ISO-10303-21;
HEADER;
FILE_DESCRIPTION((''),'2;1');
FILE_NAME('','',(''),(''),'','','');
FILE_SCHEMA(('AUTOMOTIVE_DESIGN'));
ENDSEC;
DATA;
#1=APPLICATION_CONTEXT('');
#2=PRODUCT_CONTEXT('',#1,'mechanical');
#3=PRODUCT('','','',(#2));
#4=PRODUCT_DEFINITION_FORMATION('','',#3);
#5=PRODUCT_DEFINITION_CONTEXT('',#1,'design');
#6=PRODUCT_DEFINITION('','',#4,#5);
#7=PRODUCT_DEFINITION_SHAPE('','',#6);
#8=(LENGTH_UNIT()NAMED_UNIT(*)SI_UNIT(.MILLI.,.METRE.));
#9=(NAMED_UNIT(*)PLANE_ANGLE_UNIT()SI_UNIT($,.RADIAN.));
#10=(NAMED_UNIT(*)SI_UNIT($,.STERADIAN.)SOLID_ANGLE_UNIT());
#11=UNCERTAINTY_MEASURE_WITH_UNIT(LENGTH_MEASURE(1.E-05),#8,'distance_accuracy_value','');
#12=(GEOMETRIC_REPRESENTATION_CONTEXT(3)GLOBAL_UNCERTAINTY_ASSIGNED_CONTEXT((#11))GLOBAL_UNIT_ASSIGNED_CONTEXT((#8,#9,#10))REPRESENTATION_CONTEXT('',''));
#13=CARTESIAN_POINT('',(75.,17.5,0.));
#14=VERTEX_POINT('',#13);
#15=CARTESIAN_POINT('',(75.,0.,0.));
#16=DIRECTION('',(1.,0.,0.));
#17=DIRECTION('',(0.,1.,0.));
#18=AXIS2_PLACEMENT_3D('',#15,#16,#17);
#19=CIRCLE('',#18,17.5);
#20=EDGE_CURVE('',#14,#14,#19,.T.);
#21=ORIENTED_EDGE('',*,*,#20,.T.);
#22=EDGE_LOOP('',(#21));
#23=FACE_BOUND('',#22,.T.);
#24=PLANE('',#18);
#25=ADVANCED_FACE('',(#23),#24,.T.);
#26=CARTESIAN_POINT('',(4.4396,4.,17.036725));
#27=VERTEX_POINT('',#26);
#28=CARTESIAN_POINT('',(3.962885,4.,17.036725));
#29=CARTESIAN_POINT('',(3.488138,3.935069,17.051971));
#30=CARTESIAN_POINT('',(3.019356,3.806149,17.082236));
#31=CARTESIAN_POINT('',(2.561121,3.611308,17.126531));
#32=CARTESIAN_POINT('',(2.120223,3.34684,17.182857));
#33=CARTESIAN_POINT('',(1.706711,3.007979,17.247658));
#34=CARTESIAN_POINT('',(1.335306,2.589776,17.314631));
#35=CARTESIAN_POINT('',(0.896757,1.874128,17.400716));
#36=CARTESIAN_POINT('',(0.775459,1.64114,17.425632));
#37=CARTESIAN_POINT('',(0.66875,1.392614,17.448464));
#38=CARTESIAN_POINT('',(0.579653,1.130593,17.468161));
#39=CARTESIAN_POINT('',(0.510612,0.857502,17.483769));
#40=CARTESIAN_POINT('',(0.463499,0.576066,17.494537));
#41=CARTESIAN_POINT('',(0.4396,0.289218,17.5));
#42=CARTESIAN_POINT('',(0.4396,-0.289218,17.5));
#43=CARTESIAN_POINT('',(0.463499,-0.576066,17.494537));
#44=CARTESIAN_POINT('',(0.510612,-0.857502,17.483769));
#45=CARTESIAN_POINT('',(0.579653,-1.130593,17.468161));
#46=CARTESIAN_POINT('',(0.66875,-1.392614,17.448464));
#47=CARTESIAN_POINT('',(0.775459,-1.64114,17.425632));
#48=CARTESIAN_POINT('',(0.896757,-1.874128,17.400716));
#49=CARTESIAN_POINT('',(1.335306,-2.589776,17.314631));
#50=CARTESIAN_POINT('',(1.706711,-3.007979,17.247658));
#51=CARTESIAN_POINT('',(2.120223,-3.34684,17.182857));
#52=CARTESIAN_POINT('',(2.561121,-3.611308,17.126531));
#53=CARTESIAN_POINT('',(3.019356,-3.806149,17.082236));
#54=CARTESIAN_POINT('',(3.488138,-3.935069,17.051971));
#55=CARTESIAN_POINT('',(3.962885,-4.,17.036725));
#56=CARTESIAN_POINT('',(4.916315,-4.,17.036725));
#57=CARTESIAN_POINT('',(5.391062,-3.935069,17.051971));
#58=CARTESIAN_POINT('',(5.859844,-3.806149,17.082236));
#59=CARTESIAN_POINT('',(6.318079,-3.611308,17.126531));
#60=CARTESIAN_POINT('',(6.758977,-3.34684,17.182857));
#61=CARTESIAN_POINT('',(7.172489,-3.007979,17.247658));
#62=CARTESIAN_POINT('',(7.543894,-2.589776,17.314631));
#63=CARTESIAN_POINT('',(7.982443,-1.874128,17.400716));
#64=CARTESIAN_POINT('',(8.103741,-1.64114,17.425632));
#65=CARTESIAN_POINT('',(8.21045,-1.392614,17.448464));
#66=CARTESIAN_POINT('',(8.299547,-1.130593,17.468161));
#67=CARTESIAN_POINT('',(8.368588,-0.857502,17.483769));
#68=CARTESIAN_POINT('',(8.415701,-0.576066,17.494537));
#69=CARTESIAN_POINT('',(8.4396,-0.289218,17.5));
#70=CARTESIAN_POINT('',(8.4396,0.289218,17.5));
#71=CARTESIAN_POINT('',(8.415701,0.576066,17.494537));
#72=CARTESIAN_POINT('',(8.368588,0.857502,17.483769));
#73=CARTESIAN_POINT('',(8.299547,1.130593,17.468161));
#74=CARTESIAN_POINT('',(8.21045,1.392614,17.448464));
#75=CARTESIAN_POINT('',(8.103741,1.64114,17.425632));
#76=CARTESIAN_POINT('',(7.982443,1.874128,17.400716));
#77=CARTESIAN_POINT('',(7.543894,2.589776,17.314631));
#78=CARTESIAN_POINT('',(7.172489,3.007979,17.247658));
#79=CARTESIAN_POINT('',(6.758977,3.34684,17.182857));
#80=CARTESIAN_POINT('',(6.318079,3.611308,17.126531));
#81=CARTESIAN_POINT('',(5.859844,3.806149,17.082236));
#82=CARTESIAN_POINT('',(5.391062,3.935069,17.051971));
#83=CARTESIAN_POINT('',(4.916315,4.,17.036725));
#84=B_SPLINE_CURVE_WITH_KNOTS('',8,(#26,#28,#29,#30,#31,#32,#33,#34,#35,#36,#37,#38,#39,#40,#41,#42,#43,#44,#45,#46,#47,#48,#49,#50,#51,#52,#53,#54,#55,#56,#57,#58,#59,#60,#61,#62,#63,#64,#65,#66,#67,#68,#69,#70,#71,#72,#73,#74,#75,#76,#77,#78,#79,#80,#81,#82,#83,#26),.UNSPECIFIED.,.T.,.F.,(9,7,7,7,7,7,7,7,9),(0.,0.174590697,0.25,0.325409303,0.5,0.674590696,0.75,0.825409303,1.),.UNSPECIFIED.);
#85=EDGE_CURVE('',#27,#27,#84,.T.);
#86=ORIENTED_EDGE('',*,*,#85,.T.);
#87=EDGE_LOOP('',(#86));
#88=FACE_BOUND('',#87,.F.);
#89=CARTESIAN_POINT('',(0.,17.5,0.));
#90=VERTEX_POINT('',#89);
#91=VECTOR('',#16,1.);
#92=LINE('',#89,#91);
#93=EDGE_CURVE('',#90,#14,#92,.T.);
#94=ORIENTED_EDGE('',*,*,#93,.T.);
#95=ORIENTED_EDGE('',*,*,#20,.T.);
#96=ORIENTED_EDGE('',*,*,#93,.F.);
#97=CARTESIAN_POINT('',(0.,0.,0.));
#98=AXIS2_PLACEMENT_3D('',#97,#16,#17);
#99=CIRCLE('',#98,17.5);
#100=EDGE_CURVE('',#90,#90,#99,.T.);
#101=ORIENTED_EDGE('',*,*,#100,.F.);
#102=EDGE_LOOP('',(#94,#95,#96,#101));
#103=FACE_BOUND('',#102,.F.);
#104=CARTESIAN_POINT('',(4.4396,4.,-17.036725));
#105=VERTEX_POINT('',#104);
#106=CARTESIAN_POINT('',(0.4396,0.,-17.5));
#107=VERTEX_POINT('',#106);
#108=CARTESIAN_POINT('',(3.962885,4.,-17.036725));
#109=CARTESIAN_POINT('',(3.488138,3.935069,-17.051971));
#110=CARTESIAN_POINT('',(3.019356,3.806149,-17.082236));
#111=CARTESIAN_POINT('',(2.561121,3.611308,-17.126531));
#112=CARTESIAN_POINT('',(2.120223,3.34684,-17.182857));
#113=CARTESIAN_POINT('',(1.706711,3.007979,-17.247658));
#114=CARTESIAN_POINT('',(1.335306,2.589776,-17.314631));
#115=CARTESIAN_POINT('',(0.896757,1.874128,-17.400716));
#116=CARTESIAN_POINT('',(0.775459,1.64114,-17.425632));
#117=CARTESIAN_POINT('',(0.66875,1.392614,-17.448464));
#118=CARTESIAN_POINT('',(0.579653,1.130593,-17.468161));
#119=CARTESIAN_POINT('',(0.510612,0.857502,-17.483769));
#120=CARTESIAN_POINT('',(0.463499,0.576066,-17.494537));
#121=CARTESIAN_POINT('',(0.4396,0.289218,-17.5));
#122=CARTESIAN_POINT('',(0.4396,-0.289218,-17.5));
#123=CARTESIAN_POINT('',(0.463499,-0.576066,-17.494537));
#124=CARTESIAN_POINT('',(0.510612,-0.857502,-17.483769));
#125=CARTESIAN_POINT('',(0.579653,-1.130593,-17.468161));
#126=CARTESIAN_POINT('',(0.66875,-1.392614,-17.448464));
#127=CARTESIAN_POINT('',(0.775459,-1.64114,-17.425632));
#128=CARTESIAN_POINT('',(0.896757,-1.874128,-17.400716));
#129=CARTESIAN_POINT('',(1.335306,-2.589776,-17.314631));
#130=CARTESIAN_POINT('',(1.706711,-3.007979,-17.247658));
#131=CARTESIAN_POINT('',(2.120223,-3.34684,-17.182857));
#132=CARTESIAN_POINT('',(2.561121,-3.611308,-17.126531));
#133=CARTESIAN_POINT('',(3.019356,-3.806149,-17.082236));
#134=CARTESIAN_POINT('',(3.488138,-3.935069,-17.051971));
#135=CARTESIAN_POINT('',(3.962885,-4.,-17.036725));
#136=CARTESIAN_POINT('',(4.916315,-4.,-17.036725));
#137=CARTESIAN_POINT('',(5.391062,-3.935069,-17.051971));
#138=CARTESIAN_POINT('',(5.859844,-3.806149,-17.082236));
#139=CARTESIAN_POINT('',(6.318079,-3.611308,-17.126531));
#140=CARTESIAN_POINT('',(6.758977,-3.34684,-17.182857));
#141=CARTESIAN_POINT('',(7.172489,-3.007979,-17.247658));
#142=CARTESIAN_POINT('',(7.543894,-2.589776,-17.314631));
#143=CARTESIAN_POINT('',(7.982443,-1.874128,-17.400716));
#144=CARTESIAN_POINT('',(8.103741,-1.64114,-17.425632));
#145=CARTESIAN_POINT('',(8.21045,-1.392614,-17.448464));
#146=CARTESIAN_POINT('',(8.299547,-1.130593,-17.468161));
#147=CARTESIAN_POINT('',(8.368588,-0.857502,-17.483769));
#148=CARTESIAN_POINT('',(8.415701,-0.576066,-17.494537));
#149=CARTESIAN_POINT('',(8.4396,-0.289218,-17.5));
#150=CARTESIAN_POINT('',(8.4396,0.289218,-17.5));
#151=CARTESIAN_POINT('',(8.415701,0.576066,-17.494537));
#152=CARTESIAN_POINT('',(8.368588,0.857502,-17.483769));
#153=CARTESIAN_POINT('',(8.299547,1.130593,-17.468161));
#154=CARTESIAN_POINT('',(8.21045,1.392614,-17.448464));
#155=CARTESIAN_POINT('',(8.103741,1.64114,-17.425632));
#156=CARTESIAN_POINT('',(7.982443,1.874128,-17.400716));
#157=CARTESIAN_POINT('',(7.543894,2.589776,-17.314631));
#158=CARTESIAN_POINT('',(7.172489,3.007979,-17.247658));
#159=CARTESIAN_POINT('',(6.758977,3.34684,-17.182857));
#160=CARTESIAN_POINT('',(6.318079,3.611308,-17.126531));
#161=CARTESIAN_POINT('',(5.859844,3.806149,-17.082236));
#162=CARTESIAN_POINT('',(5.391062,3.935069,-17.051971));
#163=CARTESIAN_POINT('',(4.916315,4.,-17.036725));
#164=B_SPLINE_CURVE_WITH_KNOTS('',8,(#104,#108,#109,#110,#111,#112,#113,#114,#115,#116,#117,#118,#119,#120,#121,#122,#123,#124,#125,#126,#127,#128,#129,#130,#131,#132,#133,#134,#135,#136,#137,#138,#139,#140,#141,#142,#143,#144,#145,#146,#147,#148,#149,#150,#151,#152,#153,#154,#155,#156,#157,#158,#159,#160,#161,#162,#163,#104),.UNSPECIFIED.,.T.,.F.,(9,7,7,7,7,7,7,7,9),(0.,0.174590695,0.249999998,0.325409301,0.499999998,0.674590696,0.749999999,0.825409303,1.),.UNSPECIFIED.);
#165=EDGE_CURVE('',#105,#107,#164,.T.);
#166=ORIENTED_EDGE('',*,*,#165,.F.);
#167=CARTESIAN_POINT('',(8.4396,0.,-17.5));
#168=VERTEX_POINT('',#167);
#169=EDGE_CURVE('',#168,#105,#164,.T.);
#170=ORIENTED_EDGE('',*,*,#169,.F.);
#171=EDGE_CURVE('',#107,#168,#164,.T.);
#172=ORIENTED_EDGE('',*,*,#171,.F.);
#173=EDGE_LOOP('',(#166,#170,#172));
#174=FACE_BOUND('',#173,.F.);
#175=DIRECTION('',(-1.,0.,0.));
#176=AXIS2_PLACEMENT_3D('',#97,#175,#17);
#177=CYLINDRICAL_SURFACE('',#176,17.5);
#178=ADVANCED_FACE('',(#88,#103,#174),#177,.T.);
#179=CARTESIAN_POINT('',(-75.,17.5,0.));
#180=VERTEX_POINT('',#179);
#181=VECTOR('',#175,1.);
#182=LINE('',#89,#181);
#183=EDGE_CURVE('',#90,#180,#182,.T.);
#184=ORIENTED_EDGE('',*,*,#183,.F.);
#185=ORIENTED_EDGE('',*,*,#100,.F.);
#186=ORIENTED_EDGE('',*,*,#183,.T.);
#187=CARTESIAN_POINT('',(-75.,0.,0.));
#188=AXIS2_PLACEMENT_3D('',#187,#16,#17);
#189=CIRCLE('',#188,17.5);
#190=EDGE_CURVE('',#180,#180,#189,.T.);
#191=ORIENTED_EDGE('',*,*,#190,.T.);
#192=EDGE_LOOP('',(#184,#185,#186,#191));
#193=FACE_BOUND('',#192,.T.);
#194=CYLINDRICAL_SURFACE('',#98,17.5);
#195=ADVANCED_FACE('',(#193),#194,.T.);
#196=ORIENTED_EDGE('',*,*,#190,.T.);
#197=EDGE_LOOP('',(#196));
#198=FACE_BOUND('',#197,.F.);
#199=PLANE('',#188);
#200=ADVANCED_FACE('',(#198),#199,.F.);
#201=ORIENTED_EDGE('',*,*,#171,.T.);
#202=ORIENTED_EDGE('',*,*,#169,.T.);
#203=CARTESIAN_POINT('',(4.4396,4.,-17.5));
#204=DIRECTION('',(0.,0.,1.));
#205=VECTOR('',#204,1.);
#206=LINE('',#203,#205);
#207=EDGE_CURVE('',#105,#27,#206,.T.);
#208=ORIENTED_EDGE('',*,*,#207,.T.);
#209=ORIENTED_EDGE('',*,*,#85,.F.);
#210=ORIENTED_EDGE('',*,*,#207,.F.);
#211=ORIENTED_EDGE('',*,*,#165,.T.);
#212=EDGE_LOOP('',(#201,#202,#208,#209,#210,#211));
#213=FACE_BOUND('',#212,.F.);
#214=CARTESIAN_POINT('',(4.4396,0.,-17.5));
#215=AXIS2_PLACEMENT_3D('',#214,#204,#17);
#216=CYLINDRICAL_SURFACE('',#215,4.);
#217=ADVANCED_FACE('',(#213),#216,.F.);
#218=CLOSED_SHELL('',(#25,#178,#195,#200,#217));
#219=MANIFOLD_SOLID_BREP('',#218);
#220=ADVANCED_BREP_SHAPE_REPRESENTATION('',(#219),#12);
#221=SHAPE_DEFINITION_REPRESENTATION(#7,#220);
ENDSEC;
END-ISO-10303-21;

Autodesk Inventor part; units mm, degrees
ref_plane "YZ Plane" through (0, 0, 0) normal (1, 0, 0) x (0, 1, 0)
ref_plane "XZ Plane" through (0, 0, 0) normal (0, 1, 0) x (-1, 0, 0)
sketch "Sketch1" plane through (0, 0, 0) normal (1, 0, 0) x (0, 1, 0)
  circle A0 centre (0, 0) radius 17.5
  dimension "d0" = 35
extrude "Extrusion1" add sketch "Sketch1" along normal mid plane 150
ref_plane "Work Plane1" through (75, 0, -17.5) normal (0, 0, 1) x (-1, 0, 0)
sketch "Sketch2" plane through (75, 0, -17.5) normal (0, 0, 1) x (-1, 0, 0)
  line L0 (-45, 0) -> (165, 0) projected
  line L1 (150, 17.5) -> (0, 17.5) projected
  point P0 (70.5604, 0)
hole "Hole1" at (4.4396, 0, -17.5) direction (0, 0, 1) diameter 8 end through all
properties part number "shaft"
